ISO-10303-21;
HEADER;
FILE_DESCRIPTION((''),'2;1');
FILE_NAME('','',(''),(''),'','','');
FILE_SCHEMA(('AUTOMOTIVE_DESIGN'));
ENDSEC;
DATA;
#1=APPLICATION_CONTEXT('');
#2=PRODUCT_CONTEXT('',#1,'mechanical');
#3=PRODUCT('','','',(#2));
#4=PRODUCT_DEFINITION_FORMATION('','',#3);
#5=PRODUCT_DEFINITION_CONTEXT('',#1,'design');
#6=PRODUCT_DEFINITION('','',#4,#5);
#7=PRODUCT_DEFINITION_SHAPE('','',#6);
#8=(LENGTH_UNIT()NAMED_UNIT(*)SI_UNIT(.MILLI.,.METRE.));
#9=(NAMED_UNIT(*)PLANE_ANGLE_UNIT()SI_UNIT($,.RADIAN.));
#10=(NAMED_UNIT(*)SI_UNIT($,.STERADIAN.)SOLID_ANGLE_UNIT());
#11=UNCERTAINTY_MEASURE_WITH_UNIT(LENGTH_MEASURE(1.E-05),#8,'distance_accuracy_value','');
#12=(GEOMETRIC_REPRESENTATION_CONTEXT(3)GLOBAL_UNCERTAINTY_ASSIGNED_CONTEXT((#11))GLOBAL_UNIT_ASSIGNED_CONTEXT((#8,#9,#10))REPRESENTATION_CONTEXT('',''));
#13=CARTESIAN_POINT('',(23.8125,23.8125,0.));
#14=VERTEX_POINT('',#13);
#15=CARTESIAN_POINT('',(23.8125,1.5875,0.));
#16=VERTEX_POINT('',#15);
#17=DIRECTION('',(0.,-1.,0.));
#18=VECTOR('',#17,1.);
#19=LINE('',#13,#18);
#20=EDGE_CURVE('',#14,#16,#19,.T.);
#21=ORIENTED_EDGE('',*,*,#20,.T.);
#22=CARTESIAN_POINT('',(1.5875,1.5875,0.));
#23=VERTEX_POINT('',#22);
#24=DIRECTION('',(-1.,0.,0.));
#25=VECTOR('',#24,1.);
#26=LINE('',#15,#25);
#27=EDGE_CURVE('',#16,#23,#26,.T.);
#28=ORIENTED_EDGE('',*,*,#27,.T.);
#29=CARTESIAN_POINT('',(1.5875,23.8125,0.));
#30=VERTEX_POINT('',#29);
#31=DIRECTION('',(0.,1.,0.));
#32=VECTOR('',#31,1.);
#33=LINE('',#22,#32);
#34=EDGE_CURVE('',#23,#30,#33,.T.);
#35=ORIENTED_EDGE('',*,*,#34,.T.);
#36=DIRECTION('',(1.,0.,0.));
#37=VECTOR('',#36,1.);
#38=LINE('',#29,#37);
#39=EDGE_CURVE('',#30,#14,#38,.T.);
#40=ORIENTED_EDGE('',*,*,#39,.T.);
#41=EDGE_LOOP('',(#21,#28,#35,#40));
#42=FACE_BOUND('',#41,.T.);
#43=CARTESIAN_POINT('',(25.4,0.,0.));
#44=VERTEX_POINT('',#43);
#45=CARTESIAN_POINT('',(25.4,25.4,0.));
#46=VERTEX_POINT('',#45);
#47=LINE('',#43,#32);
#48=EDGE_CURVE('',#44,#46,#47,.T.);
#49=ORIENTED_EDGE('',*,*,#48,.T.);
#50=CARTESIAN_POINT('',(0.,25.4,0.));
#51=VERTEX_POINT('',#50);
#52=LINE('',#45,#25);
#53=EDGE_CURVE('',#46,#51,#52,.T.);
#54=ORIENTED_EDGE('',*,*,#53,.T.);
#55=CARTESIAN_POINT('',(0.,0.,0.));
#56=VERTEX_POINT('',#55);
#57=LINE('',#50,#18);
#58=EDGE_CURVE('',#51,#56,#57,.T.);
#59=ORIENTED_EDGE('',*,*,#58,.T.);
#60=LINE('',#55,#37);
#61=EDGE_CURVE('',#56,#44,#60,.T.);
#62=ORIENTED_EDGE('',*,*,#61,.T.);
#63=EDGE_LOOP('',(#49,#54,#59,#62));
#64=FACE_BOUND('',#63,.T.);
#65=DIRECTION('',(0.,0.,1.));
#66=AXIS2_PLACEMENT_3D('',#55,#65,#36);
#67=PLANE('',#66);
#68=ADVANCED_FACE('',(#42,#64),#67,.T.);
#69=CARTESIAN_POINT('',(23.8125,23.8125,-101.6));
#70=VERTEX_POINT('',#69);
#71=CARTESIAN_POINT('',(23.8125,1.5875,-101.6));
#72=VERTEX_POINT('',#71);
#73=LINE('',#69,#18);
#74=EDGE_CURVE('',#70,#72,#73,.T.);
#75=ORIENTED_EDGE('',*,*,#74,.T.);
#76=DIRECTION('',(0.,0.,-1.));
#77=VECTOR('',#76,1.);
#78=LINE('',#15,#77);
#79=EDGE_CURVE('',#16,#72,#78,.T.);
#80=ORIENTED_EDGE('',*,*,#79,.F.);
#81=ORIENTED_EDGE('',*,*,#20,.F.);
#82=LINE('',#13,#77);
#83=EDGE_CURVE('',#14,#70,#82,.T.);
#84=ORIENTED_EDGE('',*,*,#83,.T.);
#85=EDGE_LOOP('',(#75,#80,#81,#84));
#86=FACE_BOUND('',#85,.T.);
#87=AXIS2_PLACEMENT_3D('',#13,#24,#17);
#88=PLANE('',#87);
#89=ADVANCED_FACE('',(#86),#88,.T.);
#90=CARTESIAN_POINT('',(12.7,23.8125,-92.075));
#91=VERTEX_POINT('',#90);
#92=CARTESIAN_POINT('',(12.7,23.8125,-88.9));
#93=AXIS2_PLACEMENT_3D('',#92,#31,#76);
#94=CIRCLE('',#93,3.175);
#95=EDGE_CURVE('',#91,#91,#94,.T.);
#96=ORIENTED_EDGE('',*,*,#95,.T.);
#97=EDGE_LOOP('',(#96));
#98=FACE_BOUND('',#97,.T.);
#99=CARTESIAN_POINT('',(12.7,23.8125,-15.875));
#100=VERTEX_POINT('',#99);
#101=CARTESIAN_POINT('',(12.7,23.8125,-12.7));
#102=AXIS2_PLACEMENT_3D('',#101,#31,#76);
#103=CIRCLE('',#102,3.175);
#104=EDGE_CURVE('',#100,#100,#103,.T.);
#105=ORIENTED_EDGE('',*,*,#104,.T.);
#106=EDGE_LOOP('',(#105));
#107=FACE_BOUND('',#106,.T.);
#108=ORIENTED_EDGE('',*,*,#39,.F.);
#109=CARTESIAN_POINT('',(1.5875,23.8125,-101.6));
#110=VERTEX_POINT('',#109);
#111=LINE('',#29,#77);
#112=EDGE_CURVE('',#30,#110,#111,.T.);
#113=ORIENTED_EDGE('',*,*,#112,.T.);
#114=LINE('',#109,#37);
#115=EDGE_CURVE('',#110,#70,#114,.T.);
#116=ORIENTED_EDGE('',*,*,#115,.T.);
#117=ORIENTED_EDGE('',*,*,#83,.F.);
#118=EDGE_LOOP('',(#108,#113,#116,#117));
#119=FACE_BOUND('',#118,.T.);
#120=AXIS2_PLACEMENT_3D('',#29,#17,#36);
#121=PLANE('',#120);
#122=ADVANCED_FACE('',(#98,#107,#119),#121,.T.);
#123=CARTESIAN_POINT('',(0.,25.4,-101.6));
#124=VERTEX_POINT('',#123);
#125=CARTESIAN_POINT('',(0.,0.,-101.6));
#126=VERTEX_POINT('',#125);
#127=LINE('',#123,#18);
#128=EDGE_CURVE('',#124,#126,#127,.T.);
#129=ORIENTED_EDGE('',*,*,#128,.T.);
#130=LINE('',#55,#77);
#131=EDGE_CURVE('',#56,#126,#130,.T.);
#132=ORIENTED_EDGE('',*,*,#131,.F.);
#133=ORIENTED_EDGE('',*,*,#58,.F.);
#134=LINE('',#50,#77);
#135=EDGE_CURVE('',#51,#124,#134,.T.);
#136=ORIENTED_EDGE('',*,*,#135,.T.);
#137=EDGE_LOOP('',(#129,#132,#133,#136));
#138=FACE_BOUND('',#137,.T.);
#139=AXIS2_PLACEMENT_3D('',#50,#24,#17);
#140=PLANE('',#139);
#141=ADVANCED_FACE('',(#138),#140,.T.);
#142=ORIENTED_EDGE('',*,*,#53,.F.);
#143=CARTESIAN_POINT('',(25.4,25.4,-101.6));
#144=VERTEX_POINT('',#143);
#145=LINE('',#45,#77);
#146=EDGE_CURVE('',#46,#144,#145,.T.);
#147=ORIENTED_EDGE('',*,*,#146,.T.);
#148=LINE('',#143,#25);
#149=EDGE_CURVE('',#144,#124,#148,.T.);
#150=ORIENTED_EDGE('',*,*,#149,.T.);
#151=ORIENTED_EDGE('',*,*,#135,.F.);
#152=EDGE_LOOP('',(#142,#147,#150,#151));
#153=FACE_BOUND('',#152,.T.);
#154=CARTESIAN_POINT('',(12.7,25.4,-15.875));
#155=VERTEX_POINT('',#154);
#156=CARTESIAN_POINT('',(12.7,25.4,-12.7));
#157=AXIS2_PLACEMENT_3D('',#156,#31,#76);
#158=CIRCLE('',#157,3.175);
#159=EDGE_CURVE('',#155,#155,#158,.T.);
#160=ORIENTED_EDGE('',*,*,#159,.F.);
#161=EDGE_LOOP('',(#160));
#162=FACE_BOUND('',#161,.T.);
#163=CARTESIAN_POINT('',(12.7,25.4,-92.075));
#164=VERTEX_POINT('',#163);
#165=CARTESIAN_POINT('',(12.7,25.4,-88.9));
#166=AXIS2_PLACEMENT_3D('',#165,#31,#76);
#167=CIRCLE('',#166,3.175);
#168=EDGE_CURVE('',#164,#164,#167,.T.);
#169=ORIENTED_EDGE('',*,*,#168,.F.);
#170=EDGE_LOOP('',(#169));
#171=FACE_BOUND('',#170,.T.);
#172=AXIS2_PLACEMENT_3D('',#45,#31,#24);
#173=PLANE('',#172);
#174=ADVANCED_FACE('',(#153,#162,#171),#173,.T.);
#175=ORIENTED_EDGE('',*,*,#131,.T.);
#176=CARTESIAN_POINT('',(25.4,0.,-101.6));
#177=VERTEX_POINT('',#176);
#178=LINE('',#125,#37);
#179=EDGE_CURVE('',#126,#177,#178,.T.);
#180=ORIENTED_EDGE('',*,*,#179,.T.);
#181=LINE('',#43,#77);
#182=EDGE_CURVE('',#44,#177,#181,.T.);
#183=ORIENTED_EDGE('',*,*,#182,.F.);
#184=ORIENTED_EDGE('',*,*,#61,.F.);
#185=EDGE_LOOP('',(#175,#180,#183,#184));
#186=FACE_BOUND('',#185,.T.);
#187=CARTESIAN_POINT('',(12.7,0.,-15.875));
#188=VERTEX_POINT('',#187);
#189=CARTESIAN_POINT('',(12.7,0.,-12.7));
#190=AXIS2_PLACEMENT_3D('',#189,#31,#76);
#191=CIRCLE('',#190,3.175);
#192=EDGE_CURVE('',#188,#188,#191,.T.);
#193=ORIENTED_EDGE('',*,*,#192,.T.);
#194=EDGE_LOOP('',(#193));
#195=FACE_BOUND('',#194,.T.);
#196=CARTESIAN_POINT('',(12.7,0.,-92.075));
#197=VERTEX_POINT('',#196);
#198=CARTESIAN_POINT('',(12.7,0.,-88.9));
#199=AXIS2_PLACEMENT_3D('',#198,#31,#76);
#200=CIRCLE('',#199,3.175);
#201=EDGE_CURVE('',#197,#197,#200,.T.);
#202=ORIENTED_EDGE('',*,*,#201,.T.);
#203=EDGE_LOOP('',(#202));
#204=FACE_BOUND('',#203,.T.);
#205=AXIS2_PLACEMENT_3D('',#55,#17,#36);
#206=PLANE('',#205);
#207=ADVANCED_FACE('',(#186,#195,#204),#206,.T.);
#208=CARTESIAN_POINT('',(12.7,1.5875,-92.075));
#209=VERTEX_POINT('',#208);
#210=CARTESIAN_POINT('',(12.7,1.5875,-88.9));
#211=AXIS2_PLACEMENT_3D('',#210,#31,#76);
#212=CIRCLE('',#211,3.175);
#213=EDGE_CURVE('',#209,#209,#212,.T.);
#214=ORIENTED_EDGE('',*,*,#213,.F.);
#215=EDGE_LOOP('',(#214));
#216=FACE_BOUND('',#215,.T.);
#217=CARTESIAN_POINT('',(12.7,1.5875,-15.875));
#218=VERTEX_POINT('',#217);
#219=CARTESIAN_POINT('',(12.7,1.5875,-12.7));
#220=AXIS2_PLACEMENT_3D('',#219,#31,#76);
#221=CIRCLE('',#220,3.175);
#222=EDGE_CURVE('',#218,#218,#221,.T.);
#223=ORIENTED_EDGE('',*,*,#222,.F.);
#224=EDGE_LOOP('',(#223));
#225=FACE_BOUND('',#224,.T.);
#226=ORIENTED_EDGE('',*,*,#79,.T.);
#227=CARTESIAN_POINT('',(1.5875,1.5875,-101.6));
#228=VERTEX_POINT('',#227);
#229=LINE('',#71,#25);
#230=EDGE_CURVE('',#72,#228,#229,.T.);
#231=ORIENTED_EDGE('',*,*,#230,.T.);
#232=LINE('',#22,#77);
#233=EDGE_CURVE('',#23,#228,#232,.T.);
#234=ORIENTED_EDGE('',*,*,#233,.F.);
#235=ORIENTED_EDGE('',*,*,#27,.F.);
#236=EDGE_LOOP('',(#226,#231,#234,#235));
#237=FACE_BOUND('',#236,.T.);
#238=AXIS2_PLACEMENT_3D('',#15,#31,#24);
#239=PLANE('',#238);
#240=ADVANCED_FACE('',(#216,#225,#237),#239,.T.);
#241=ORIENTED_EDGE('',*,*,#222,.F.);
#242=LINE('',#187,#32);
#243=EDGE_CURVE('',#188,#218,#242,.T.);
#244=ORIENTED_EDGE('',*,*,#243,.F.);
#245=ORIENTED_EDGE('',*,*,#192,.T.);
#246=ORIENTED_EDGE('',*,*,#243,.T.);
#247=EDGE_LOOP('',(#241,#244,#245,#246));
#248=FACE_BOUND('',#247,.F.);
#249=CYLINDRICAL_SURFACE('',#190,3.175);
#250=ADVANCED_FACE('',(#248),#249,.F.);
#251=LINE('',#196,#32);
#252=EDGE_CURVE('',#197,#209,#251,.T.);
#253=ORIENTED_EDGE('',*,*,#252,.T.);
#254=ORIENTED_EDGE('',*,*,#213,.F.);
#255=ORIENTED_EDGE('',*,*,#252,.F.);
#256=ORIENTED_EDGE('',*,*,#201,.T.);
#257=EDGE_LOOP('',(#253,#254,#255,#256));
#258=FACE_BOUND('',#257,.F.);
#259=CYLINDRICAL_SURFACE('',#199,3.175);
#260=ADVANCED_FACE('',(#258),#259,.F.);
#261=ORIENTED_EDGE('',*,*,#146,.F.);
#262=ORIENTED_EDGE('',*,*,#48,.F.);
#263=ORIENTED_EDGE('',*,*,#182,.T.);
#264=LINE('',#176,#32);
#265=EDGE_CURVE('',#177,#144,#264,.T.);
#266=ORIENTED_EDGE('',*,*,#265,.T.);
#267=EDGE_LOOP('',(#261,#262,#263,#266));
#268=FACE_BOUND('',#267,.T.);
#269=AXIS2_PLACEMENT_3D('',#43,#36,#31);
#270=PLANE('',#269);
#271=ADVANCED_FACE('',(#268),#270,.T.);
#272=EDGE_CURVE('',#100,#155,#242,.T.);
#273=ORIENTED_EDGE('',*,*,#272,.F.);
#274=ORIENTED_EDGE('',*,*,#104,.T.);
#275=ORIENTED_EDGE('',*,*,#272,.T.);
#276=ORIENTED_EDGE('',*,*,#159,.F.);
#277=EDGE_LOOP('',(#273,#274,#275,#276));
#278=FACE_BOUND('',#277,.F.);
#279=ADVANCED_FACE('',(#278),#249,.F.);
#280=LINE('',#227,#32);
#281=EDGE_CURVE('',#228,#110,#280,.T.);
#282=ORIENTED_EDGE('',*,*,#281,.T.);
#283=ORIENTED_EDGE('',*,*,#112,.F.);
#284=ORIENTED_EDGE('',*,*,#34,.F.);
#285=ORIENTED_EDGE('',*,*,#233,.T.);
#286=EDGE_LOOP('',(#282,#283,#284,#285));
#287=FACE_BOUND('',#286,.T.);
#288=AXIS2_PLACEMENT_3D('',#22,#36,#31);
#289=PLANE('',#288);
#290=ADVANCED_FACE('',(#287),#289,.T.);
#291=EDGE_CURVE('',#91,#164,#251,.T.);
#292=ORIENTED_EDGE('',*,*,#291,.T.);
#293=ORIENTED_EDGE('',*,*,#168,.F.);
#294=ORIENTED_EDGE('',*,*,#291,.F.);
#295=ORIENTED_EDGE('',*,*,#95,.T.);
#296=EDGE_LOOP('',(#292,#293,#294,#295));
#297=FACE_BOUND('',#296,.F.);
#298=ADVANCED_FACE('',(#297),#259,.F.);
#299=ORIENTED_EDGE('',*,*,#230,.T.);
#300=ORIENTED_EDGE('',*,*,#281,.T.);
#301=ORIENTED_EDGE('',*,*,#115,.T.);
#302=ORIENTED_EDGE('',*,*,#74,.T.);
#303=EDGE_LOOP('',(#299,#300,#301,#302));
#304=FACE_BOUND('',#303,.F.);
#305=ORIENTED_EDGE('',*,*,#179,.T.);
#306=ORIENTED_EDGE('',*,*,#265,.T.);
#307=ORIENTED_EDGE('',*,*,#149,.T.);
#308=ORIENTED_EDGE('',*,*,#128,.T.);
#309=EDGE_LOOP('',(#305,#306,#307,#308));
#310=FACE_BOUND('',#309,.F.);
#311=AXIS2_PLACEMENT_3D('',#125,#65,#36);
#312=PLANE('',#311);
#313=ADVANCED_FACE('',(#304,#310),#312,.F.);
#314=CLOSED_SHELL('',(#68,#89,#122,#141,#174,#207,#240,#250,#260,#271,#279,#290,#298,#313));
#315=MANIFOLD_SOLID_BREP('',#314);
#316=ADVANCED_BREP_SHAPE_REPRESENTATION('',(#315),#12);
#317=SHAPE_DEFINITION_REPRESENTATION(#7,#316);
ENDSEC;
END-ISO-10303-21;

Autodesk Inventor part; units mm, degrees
ref_plane "YZ Plane" through (0, 0, 0) normal (1, 0, 0) x (0, 1, 0)
ref_plane "XZ Plane" through (0, 0, 0) normal (0, 1, 0) x (-1, 0, 0)
ref_plane "XY Plane" through (0, 0, 0) normal (0, 0, 1) x (1, 0, 0)
sketch "Sketch1" plane through (0, 0, 0) normal (0, 0, 1) x (1, 0, 0)
  line L0 (0, 0) -> (25.4, 0)
  line L1 (25.4, 0) -> (25.4, 25.4)
  line L2 (25.4, 25.4) -> (0, 25.4)
  line L3 (0, 25.4) -> (0, 0)
  line L4 (1.5875, 23.8125) -> (23.8125, 23.8125)
  line L5 (23.8125, 23.8125) -> (23.8125, 1.5875)
  line L6 (23.8125, 1.5875) -> (1.5875, 1.5875)
  line L7 (1.5875, 1.5875) -> (1.5875, 23.8125)
  dimension "d0" = 25.4
  dimension "d1" = 25.4
  dimension "d2" = 1.5875
extrude "Extrusion1" add sketch "Sketch1" against normal blind 101.6
sketch "Sketch3" plane through (0, 0, 0) normal (0, -1, 0) x (1, 0, 0)
  line L0 (0, -101.6) -> (25.4, -101.6) projected
  line L1 (0, 0) -> (25.4, 0) projected
  point P0 (12.7, -12.7)
  point P1 (12.7, -88.9)
  dimension "d7" = 12.7
  dimension "d8" = 12.7
hole "Hole2" at (12.7, 0, -12.7) at (12.7, 0, -88.9) direction (0, 1, 0) diameter 6.35 depth 25.4 tip angle 118
properties part number "tube_l_b_in"
